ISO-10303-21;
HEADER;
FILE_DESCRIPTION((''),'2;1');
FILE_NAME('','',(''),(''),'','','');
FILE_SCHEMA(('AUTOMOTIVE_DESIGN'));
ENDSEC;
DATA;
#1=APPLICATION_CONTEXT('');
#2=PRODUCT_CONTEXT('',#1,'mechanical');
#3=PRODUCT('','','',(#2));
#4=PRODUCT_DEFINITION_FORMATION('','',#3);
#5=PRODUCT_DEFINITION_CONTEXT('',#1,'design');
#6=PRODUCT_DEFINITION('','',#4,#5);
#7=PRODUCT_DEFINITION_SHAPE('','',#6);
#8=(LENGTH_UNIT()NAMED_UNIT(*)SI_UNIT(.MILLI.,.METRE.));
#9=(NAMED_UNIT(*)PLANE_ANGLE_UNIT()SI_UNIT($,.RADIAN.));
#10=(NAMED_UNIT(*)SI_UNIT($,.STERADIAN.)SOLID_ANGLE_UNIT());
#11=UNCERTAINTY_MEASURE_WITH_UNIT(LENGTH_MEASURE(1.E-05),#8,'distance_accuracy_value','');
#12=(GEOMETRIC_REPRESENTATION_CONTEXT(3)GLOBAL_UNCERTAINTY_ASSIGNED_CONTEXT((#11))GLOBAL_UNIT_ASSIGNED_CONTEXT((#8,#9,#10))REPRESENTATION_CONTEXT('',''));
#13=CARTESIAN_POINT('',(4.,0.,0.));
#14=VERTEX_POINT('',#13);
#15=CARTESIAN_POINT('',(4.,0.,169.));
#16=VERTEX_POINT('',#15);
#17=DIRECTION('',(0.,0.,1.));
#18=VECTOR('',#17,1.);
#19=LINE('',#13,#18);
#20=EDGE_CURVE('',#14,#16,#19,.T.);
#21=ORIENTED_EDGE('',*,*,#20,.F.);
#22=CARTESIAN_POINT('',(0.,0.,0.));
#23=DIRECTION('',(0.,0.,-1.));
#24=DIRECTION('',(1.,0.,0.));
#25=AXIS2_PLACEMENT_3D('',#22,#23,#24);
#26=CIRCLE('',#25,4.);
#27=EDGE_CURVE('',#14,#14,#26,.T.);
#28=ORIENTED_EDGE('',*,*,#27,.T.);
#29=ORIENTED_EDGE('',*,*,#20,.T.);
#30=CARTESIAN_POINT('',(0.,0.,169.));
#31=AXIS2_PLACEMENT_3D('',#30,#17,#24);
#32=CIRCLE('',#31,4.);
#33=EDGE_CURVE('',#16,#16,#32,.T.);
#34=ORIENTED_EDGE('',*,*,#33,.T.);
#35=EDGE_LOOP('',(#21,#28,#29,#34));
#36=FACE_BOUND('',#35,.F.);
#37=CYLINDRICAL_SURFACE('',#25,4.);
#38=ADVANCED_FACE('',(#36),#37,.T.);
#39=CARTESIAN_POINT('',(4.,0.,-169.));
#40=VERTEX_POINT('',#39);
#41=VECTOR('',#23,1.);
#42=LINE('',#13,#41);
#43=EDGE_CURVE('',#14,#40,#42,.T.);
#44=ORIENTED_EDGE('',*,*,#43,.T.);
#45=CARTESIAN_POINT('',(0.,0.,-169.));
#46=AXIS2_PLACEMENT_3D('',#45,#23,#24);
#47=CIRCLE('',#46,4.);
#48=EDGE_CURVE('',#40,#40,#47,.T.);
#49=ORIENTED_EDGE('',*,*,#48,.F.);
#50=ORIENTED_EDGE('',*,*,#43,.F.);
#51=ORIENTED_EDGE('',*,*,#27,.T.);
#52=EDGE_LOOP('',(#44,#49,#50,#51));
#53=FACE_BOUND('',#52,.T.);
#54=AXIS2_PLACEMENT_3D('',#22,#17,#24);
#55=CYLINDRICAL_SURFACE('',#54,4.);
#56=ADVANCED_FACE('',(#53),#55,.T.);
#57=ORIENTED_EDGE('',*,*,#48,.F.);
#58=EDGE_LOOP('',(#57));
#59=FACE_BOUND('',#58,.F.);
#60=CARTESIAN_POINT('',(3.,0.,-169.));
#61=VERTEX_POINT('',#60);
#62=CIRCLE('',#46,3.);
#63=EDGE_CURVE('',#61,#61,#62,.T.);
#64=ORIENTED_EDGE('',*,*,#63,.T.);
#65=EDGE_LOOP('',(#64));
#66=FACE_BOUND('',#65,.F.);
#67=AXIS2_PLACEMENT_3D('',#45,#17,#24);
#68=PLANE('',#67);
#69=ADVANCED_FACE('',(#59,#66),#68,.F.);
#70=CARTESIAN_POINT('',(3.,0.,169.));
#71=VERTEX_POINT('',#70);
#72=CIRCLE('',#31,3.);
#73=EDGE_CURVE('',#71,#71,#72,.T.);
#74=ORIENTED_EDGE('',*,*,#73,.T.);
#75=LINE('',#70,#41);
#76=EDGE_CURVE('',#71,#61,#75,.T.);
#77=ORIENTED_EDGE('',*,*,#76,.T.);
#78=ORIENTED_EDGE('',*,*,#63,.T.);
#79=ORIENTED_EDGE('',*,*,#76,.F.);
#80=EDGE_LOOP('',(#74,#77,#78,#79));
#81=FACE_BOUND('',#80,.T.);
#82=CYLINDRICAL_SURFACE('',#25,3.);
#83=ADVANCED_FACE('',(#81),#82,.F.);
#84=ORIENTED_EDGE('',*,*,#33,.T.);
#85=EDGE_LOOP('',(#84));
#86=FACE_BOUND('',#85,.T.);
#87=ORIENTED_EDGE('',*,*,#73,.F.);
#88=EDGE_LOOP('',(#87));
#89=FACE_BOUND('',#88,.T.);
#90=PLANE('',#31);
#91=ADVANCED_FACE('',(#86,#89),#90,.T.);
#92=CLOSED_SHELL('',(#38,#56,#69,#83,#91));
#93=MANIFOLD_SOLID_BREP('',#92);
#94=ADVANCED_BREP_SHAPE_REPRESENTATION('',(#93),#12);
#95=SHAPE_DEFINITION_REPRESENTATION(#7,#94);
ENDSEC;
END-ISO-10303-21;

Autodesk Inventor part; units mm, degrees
ref_plane "YZ Plane" through (0, 0, 0) normal (1, 0, 0) x (0, 1, 0)
ref_plane "XZ Plane" through (0, 0, 0) normal (0, 1, 0) x (-1, 0, 0)
ref_plane "XY Plane" through (0, 0, 0) normal (0, 0, 1) x (1, 0, 0)
sketch "Náčrt1" plane through (0, 0, 0) normal (0, 0, 1) x (1, 0, 0)
  line L0 (-5.6, 0) -> (5.6, 0) projected
  line L1 (0, 5.6) -> (0, -5.6) projected
  circle A0 centre (0, 0) radius 4
  circle A1 centre (0, 0) radius 3
  dimension "d0" = 8
  dimension "d1" = 6
extrude "Vysunutí1" add sketch "Náčrt1" along normal mid plane 338 contours A1 L1 A0 L0 | L0 A0 L1 A1 | A1 L0 A0 L1 | L1 A0 L0 A1
properties part number "x_rod" material "Hliník 6061"
